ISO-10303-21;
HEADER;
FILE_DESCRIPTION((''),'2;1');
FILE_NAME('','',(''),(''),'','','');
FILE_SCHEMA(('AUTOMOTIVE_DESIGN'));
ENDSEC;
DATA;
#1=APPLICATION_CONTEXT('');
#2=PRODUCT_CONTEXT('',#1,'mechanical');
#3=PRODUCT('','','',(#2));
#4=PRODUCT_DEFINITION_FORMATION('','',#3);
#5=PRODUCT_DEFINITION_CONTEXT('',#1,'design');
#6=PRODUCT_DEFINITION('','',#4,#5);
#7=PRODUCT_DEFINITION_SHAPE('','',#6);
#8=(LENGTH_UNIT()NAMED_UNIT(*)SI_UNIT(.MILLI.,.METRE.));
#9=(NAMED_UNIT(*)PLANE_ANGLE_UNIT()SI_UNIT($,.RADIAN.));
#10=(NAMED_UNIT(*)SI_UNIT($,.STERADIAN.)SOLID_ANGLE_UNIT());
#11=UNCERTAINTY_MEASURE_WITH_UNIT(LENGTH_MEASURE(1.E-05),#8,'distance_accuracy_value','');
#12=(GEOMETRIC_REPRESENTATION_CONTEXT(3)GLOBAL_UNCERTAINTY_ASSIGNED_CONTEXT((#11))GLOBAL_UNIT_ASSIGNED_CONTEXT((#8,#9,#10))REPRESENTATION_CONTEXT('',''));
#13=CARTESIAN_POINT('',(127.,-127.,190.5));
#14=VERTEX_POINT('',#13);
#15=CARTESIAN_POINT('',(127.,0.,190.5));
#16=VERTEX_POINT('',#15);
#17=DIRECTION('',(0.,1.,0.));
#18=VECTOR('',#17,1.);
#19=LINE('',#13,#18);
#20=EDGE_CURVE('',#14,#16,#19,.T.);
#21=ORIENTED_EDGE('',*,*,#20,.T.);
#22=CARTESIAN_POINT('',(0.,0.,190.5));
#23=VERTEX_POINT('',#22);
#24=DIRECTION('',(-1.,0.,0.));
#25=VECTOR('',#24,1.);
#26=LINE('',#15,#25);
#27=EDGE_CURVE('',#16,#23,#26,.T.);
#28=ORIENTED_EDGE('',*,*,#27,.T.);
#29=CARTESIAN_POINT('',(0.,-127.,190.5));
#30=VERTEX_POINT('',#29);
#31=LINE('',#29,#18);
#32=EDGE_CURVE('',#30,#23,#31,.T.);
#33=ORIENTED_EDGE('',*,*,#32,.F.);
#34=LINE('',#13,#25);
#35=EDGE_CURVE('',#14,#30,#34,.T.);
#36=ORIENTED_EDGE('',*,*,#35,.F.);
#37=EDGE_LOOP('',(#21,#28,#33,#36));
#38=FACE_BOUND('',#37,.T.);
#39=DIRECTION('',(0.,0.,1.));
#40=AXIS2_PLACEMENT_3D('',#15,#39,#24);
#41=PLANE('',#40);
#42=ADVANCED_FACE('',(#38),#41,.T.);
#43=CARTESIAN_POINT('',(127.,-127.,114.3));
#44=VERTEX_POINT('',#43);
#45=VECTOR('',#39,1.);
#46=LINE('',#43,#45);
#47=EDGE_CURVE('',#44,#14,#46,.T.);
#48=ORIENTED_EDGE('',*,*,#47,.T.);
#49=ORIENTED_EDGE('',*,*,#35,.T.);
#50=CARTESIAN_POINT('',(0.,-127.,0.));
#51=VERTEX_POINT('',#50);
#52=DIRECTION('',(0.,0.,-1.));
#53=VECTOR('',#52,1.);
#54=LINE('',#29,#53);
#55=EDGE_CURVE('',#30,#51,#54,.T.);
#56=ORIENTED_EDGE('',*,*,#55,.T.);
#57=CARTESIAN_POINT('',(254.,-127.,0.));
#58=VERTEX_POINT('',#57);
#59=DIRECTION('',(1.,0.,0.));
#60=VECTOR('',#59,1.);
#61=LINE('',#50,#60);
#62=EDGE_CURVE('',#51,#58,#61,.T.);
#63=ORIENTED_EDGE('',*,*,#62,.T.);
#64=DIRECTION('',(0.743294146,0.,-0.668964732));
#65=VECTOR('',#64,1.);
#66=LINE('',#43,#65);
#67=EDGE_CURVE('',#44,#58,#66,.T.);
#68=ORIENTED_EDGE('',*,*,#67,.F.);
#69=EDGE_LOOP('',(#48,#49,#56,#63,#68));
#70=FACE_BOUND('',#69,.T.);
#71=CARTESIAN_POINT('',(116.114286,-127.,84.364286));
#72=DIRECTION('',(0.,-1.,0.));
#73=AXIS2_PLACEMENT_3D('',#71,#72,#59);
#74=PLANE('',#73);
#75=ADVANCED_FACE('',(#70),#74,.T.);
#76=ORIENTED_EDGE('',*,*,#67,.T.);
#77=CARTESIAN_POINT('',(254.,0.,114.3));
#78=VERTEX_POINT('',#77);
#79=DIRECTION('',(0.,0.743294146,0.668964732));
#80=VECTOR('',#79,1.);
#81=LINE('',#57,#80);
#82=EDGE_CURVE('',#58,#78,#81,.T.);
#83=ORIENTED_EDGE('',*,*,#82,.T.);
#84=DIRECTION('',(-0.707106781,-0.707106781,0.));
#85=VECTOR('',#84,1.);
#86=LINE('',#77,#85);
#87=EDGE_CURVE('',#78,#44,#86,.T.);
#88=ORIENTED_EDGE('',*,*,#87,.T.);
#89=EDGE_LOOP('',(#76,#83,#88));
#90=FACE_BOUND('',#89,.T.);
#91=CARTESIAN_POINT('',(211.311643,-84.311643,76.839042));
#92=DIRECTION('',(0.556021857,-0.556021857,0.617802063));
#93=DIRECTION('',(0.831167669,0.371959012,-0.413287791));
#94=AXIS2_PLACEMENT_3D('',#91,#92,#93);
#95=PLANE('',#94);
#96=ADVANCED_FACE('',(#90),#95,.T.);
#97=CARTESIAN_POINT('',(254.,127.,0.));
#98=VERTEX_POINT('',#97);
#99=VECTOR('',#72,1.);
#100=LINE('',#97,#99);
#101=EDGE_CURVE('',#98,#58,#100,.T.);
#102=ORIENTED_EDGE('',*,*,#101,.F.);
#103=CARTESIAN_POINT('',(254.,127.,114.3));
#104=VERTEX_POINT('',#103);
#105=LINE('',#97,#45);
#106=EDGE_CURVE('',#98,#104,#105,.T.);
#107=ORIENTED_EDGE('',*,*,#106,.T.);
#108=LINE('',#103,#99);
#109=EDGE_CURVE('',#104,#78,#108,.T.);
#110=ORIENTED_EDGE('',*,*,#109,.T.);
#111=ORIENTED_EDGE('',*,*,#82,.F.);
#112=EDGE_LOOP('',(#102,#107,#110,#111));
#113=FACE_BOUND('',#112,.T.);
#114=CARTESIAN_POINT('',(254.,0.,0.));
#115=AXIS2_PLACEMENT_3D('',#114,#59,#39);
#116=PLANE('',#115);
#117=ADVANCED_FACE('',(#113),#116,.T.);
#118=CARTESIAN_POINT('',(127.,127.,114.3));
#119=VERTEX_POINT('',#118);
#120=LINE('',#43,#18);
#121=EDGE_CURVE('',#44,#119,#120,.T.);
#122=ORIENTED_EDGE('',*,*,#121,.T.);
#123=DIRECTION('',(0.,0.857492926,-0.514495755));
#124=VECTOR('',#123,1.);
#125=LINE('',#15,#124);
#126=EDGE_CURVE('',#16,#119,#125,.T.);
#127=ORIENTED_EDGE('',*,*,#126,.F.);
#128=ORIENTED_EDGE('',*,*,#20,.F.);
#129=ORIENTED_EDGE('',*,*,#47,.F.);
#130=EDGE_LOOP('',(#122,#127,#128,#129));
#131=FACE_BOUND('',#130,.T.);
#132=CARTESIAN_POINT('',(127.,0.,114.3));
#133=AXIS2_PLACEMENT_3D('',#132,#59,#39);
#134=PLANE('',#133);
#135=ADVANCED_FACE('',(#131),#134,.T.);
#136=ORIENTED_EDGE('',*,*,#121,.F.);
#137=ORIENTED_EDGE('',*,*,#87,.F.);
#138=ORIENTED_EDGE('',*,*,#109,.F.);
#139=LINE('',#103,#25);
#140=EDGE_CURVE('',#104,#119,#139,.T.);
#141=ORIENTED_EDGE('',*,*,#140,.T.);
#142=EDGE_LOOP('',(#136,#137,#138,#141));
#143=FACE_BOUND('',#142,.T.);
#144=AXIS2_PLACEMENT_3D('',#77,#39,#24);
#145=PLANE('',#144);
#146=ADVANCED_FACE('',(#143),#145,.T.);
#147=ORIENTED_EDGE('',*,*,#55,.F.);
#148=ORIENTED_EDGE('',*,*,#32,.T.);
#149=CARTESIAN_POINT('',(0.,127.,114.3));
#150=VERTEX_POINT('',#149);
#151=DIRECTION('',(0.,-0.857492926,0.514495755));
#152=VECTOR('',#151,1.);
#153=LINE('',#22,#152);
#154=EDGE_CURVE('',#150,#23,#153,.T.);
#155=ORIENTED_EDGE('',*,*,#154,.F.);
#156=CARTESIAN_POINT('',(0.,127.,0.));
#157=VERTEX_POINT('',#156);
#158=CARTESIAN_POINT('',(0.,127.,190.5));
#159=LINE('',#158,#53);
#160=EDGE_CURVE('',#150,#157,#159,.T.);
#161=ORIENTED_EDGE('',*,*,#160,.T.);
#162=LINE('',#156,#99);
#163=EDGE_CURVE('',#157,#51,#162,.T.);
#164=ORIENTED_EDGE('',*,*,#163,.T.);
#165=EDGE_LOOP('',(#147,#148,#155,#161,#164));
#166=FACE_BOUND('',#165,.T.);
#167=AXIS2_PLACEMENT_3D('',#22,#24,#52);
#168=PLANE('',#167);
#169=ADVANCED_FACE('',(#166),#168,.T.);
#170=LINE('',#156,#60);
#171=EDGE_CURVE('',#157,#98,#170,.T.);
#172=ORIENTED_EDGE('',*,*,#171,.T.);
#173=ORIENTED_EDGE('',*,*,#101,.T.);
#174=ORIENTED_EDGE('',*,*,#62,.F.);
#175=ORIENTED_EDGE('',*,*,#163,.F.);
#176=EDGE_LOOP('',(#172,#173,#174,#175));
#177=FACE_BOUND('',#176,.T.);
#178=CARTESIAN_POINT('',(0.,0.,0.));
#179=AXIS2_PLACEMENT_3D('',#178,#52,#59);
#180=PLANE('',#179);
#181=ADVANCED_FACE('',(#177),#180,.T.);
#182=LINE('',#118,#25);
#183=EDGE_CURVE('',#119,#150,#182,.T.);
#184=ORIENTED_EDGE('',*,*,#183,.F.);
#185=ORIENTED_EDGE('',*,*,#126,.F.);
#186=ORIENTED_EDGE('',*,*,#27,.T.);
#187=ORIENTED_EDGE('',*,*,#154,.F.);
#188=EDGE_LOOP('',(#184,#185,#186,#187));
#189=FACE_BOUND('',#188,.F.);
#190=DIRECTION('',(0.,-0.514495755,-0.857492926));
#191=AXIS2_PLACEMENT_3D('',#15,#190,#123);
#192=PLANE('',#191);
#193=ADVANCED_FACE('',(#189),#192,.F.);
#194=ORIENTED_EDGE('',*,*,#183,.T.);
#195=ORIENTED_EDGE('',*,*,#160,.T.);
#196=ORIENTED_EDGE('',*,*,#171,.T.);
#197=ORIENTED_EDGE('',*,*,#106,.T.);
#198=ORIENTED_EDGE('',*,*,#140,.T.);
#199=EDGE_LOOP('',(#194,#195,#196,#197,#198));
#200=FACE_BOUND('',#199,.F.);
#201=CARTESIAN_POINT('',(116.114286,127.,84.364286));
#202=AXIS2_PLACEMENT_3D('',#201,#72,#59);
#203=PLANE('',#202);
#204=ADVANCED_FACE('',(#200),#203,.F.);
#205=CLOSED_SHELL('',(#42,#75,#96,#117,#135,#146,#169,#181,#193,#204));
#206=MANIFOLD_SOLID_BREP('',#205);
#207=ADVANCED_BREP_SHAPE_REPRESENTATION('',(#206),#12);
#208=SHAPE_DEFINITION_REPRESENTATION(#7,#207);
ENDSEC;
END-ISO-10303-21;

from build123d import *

# Parameters (mm, degrees)
F1_DEPTH = 127
F3_DEPTH = 254
F7_DEPTH = 117.6922930425


with BuildPart() as f1:
    # F0 (on Front) → F1 (new body, symmetric)
    with BuildSketch(Plane.XZ):
        Polygon((0, 190.5), (0, 0), (254, 0), (254, 114.3), (127, 114.3), (127, 190.5), align=None)
    extrude(amount=F1_DEPTH, both=True)

    # F2 (on face) → F3 (cut)
    with BuildSketch(Plane.YZ.offset(127)):
        Polygon((127, 190.5), (0, 190.5), (127, 114.3), align=None)
    extrude(amount=-F3_DEPTH, mode=Mode.SUBTRACT)

    # F6 (on 3pt) → F7 (cut, through all)
    with BuildSketch(Plane(origin=(117.7900763359, -117.7900763359, 130.8778625954), x_dir=(0.8311676694, 0.3719590123, -0.4132877914), z_dir=(0.5560218569, -0.5560218569, 0.6178020632))):
        Polygon((163.877793469, -94.3983565734), (163.877793469, 76.4626688244), (11.0807048965, -17.9356877489), align=None)
    extrude(amount=F7_DEPTH, mode=Mode.SUBTRACT)


solid = f1.part
